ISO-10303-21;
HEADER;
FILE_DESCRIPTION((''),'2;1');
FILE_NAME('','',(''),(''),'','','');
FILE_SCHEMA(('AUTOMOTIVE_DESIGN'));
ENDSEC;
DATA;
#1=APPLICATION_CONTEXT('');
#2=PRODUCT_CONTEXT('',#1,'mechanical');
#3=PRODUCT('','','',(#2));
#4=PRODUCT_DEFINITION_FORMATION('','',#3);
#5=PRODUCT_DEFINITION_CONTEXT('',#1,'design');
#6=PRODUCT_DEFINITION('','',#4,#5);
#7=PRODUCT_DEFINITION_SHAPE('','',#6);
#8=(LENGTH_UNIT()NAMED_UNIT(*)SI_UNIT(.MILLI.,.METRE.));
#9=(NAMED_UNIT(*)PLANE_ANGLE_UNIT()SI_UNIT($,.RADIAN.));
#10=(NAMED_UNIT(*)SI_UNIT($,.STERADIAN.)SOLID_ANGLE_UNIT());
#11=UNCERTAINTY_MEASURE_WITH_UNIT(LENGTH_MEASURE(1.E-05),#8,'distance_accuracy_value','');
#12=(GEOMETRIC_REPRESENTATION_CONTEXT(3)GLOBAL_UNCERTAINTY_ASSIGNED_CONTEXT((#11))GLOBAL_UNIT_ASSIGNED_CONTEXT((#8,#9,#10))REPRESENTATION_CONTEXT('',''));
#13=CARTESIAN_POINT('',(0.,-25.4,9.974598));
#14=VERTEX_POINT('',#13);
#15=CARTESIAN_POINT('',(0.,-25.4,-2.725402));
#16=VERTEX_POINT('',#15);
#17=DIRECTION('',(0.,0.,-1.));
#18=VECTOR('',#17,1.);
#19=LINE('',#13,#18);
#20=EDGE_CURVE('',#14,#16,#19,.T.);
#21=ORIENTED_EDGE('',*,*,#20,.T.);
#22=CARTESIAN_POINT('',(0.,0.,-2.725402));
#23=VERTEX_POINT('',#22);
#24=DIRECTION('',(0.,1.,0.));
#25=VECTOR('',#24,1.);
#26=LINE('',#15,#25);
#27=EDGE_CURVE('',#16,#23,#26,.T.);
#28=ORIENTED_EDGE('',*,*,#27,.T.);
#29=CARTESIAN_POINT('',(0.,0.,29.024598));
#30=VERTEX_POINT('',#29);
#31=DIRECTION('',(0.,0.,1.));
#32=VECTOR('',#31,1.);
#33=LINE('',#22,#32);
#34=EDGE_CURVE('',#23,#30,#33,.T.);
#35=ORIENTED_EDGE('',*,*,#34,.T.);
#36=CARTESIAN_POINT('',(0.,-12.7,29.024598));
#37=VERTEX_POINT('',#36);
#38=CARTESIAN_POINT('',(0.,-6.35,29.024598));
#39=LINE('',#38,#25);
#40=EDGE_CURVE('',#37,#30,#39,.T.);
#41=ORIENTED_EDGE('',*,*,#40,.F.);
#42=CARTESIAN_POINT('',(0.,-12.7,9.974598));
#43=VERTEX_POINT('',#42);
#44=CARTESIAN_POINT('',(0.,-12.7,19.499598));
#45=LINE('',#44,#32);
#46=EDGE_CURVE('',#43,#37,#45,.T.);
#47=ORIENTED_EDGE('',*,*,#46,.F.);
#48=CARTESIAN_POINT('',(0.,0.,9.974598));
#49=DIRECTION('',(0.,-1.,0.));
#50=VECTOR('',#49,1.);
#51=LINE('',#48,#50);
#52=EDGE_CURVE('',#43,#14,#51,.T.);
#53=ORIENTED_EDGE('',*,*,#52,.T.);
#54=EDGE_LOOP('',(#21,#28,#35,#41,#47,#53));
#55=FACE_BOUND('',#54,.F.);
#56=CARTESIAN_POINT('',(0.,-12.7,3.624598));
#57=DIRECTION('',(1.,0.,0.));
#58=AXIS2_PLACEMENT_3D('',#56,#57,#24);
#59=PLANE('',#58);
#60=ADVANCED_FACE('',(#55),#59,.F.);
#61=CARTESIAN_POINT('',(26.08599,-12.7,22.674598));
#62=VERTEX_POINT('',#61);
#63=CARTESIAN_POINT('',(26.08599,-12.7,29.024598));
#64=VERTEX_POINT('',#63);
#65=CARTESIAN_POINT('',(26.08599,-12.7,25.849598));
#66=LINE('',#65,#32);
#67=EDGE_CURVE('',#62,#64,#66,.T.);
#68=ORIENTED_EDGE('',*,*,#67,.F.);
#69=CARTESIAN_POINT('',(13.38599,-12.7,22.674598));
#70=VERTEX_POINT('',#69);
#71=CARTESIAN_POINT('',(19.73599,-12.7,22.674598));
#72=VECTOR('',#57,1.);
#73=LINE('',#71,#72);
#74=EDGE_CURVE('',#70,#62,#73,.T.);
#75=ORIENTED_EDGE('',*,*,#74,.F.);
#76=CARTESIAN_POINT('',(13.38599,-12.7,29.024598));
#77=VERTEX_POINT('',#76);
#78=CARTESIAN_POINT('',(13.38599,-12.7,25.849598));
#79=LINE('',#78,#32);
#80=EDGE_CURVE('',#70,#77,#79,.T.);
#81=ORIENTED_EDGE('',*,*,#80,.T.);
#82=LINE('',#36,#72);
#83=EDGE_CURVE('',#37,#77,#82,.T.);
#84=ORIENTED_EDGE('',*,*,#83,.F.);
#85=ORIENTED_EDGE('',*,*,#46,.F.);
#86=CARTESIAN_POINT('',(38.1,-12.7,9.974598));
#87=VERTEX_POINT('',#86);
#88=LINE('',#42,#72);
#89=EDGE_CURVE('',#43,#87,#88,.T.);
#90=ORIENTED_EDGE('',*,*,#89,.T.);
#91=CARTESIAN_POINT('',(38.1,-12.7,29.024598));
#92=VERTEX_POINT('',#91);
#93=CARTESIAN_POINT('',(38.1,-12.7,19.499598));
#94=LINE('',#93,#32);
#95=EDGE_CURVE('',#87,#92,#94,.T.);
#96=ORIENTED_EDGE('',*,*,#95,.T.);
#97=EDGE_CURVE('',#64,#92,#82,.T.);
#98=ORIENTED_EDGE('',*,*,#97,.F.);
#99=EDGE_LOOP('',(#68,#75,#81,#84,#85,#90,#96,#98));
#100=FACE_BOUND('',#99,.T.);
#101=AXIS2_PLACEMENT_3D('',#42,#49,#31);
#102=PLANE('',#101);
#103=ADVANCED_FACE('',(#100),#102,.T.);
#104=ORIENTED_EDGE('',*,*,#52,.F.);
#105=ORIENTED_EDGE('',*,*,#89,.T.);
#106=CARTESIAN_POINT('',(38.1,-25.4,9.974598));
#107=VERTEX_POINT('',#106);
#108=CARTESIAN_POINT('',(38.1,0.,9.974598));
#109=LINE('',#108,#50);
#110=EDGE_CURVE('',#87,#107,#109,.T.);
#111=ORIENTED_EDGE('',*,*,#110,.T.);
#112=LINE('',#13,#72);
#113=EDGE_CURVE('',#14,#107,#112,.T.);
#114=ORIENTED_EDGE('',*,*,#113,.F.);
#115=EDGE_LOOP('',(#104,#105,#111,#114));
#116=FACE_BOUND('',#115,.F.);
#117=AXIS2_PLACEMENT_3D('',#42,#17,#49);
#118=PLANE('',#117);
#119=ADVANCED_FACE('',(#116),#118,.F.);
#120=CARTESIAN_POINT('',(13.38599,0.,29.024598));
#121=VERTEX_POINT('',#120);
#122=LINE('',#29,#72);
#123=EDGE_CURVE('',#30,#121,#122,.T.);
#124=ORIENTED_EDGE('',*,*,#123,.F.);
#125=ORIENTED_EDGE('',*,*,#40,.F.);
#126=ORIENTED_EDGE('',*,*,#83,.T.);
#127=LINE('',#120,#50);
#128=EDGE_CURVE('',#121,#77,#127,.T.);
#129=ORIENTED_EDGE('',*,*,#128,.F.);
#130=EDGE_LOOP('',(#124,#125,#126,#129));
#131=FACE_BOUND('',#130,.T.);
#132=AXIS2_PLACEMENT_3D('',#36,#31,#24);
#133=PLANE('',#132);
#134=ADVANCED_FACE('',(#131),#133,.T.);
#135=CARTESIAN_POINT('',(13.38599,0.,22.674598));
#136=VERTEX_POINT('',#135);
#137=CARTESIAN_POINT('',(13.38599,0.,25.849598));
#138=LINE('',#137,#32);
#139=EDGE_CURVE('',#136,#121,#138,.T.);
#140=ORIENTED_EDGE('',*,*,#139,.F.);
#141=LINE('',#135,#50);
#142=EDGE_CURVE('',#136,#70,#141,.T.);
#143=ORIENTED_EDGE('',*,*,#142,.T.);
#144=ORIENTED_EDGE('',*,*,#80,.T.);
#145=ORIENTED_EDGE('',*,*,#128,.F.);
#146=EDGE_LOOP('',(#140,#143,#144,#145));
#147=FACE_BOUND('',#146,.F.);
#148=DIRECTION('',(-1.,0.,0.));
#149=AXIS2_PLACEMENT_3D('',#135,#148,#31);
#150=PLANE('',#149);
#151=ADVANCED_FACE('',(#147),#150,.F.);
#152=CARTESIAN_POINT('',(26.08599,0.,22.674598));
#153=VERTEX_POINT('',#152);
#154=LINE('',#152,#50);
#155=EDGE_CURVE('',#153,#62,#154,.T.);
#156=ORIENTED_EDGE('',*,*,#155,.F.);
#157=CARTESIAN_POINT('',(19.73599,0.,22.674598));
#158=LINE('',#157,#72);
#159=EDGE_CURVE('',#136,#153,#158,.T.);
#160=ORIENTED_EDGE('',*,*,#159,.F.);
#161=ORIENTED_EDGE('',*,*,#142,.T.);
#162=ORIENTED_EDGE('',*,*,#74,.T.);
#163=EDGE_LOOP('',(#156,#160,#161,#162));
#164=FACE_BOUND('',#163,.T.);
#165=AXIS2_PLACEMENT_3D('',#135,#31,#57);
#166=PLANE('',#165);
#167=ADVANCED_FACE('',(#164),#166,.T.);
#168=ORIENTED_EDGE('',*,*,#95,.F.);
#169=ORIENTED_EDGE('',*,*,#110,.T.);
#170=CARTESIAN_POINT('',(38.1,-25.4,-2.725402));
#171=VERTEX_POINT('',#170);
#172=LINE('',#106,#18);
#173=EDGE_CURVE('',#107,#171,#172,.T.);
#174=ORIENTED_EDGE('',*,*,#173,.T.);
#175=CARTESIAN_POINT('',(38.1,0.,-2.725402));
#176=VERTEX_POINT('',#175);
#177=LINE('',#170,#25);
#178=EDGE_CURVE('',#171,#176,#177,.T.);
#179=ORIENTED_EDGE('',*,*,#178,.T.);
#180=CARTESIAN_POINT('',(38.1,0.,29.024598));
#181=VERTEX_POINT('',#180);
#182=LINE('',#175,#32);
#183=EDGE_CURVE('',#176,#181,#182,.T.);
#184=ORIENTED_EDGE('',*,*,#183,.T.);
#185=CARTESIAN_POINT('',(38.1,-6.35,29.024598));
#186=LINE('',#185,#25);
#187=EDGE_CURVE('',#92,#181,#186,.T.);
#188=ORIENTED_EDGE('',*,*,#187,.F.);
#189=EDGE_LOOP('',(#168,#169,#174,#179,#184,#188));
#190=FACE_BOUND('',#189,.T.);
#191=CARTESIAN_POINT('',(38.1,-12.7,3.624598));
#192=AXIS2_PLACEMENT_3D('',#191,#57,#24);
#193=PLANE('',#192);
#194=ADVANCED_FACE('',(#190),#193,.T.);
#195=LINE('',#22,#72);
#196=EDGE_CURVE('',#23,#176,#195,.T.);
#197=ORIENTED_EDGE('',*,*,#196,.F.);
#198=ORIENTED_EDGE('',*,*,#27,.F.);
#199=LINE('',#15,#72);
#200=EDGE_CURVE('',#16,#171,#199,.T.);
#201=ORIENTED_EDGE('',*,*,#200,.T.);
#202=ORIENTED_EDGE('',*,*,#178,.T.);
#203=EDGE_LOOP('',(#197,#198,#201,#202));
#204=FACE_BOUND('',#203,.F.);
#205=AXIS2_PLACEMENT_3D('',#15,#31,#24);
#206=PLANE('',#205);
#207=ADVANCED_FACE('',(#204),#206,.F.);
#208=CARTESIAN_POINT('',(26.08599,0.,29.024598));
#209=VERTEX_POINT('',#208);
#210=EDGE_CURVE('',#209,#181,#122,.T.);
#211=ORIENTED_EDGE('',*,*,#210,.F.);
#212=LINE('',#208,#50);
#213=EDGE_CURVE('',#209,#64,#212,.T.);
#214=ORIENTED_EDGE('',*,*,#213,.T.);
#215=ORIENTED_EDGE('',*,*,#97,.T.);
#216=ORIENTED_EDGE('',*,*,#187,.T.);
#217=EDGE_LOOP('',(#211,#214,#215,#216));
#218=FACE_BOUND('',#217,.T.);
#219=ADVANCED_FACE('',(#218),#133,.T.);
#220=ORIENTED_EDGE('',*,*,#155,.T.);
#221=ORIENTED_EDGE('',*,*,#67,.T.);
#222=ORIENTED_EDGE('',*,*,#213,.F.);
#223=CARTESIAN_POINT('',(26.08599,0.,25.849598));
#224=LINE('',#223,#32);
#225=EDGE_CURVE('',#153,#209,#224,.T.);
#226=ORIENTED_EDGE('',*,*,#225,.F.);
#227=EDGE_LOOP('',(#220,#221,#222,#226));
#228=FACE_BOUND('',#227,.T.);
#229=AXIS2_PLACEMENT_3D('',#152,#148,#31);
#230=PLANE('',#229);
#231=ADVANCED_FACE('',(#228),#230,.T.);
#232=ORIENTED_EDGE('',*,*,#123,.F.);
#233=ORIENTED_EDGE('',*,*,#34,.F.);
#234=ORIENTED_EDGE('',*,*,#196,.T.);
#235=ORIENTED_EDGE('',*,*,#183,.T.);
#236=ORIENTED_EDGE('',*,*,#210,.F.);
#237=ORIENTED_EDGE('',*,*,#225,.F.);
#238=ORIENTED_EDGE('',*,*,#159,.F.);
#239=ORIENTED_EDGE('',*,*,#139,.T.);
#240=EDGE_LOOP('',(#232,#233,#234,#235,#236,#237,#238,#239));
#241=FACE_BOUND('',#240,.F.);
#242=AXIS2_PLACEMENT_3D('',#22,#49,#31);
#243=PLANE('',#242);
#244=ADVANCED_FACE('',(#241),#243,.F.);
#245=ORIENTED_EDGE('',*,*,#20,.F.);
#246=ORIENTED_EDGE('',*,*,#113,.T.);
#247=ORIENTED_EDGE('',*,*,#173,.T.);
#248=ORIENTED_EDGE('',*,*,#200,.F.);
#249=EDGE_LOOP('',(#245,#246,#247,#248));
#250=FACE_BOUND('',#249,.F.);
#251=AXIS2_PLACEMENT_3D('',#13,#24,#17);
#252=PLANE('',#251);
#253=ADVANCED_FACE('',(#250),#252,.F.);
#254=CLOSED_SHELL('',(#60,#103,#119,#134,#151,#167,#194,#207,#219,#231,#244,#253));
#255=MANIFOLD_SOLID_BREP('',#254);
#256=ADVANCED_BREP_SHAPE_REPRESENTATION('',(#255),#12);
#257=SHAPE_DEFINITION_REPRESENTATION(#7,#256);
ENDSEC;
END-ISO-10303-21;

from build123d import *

# Parameters (mm, degrees)
F0_W     = 12.7
F0_H     = 19.05
F1_DEPTH = 38.1
F2_W     = 12.7
F2_H     = 6.35
F3_DEPTH = 12.7


with BuildPart() as f1:
    # F0 (on Right) → F1 (new body)
    with BuildSketch(Plane.YZ):
        Polygon((-12.7, 9.974598), (-25.4, 9.974598), (-25.4, -2.725402), (0, -2.725402), (0, 9.974598), align=None)
        with Locations((-6.35, 19.499598)):
            Rectangle(F0_W, F0_H)
    extrude(amount=F1_DEPTH)

    # F2 (on Front) → F3 (cut)
    with BuildSketch(Plane.XZ):
        with Locations((19.73599, 25.849598)):
            Rectangle(F2_W, F2_H)
    extrude(amount=F3_DEPTH, mode=Mode.SUBTRACT)


solid = f1.part
